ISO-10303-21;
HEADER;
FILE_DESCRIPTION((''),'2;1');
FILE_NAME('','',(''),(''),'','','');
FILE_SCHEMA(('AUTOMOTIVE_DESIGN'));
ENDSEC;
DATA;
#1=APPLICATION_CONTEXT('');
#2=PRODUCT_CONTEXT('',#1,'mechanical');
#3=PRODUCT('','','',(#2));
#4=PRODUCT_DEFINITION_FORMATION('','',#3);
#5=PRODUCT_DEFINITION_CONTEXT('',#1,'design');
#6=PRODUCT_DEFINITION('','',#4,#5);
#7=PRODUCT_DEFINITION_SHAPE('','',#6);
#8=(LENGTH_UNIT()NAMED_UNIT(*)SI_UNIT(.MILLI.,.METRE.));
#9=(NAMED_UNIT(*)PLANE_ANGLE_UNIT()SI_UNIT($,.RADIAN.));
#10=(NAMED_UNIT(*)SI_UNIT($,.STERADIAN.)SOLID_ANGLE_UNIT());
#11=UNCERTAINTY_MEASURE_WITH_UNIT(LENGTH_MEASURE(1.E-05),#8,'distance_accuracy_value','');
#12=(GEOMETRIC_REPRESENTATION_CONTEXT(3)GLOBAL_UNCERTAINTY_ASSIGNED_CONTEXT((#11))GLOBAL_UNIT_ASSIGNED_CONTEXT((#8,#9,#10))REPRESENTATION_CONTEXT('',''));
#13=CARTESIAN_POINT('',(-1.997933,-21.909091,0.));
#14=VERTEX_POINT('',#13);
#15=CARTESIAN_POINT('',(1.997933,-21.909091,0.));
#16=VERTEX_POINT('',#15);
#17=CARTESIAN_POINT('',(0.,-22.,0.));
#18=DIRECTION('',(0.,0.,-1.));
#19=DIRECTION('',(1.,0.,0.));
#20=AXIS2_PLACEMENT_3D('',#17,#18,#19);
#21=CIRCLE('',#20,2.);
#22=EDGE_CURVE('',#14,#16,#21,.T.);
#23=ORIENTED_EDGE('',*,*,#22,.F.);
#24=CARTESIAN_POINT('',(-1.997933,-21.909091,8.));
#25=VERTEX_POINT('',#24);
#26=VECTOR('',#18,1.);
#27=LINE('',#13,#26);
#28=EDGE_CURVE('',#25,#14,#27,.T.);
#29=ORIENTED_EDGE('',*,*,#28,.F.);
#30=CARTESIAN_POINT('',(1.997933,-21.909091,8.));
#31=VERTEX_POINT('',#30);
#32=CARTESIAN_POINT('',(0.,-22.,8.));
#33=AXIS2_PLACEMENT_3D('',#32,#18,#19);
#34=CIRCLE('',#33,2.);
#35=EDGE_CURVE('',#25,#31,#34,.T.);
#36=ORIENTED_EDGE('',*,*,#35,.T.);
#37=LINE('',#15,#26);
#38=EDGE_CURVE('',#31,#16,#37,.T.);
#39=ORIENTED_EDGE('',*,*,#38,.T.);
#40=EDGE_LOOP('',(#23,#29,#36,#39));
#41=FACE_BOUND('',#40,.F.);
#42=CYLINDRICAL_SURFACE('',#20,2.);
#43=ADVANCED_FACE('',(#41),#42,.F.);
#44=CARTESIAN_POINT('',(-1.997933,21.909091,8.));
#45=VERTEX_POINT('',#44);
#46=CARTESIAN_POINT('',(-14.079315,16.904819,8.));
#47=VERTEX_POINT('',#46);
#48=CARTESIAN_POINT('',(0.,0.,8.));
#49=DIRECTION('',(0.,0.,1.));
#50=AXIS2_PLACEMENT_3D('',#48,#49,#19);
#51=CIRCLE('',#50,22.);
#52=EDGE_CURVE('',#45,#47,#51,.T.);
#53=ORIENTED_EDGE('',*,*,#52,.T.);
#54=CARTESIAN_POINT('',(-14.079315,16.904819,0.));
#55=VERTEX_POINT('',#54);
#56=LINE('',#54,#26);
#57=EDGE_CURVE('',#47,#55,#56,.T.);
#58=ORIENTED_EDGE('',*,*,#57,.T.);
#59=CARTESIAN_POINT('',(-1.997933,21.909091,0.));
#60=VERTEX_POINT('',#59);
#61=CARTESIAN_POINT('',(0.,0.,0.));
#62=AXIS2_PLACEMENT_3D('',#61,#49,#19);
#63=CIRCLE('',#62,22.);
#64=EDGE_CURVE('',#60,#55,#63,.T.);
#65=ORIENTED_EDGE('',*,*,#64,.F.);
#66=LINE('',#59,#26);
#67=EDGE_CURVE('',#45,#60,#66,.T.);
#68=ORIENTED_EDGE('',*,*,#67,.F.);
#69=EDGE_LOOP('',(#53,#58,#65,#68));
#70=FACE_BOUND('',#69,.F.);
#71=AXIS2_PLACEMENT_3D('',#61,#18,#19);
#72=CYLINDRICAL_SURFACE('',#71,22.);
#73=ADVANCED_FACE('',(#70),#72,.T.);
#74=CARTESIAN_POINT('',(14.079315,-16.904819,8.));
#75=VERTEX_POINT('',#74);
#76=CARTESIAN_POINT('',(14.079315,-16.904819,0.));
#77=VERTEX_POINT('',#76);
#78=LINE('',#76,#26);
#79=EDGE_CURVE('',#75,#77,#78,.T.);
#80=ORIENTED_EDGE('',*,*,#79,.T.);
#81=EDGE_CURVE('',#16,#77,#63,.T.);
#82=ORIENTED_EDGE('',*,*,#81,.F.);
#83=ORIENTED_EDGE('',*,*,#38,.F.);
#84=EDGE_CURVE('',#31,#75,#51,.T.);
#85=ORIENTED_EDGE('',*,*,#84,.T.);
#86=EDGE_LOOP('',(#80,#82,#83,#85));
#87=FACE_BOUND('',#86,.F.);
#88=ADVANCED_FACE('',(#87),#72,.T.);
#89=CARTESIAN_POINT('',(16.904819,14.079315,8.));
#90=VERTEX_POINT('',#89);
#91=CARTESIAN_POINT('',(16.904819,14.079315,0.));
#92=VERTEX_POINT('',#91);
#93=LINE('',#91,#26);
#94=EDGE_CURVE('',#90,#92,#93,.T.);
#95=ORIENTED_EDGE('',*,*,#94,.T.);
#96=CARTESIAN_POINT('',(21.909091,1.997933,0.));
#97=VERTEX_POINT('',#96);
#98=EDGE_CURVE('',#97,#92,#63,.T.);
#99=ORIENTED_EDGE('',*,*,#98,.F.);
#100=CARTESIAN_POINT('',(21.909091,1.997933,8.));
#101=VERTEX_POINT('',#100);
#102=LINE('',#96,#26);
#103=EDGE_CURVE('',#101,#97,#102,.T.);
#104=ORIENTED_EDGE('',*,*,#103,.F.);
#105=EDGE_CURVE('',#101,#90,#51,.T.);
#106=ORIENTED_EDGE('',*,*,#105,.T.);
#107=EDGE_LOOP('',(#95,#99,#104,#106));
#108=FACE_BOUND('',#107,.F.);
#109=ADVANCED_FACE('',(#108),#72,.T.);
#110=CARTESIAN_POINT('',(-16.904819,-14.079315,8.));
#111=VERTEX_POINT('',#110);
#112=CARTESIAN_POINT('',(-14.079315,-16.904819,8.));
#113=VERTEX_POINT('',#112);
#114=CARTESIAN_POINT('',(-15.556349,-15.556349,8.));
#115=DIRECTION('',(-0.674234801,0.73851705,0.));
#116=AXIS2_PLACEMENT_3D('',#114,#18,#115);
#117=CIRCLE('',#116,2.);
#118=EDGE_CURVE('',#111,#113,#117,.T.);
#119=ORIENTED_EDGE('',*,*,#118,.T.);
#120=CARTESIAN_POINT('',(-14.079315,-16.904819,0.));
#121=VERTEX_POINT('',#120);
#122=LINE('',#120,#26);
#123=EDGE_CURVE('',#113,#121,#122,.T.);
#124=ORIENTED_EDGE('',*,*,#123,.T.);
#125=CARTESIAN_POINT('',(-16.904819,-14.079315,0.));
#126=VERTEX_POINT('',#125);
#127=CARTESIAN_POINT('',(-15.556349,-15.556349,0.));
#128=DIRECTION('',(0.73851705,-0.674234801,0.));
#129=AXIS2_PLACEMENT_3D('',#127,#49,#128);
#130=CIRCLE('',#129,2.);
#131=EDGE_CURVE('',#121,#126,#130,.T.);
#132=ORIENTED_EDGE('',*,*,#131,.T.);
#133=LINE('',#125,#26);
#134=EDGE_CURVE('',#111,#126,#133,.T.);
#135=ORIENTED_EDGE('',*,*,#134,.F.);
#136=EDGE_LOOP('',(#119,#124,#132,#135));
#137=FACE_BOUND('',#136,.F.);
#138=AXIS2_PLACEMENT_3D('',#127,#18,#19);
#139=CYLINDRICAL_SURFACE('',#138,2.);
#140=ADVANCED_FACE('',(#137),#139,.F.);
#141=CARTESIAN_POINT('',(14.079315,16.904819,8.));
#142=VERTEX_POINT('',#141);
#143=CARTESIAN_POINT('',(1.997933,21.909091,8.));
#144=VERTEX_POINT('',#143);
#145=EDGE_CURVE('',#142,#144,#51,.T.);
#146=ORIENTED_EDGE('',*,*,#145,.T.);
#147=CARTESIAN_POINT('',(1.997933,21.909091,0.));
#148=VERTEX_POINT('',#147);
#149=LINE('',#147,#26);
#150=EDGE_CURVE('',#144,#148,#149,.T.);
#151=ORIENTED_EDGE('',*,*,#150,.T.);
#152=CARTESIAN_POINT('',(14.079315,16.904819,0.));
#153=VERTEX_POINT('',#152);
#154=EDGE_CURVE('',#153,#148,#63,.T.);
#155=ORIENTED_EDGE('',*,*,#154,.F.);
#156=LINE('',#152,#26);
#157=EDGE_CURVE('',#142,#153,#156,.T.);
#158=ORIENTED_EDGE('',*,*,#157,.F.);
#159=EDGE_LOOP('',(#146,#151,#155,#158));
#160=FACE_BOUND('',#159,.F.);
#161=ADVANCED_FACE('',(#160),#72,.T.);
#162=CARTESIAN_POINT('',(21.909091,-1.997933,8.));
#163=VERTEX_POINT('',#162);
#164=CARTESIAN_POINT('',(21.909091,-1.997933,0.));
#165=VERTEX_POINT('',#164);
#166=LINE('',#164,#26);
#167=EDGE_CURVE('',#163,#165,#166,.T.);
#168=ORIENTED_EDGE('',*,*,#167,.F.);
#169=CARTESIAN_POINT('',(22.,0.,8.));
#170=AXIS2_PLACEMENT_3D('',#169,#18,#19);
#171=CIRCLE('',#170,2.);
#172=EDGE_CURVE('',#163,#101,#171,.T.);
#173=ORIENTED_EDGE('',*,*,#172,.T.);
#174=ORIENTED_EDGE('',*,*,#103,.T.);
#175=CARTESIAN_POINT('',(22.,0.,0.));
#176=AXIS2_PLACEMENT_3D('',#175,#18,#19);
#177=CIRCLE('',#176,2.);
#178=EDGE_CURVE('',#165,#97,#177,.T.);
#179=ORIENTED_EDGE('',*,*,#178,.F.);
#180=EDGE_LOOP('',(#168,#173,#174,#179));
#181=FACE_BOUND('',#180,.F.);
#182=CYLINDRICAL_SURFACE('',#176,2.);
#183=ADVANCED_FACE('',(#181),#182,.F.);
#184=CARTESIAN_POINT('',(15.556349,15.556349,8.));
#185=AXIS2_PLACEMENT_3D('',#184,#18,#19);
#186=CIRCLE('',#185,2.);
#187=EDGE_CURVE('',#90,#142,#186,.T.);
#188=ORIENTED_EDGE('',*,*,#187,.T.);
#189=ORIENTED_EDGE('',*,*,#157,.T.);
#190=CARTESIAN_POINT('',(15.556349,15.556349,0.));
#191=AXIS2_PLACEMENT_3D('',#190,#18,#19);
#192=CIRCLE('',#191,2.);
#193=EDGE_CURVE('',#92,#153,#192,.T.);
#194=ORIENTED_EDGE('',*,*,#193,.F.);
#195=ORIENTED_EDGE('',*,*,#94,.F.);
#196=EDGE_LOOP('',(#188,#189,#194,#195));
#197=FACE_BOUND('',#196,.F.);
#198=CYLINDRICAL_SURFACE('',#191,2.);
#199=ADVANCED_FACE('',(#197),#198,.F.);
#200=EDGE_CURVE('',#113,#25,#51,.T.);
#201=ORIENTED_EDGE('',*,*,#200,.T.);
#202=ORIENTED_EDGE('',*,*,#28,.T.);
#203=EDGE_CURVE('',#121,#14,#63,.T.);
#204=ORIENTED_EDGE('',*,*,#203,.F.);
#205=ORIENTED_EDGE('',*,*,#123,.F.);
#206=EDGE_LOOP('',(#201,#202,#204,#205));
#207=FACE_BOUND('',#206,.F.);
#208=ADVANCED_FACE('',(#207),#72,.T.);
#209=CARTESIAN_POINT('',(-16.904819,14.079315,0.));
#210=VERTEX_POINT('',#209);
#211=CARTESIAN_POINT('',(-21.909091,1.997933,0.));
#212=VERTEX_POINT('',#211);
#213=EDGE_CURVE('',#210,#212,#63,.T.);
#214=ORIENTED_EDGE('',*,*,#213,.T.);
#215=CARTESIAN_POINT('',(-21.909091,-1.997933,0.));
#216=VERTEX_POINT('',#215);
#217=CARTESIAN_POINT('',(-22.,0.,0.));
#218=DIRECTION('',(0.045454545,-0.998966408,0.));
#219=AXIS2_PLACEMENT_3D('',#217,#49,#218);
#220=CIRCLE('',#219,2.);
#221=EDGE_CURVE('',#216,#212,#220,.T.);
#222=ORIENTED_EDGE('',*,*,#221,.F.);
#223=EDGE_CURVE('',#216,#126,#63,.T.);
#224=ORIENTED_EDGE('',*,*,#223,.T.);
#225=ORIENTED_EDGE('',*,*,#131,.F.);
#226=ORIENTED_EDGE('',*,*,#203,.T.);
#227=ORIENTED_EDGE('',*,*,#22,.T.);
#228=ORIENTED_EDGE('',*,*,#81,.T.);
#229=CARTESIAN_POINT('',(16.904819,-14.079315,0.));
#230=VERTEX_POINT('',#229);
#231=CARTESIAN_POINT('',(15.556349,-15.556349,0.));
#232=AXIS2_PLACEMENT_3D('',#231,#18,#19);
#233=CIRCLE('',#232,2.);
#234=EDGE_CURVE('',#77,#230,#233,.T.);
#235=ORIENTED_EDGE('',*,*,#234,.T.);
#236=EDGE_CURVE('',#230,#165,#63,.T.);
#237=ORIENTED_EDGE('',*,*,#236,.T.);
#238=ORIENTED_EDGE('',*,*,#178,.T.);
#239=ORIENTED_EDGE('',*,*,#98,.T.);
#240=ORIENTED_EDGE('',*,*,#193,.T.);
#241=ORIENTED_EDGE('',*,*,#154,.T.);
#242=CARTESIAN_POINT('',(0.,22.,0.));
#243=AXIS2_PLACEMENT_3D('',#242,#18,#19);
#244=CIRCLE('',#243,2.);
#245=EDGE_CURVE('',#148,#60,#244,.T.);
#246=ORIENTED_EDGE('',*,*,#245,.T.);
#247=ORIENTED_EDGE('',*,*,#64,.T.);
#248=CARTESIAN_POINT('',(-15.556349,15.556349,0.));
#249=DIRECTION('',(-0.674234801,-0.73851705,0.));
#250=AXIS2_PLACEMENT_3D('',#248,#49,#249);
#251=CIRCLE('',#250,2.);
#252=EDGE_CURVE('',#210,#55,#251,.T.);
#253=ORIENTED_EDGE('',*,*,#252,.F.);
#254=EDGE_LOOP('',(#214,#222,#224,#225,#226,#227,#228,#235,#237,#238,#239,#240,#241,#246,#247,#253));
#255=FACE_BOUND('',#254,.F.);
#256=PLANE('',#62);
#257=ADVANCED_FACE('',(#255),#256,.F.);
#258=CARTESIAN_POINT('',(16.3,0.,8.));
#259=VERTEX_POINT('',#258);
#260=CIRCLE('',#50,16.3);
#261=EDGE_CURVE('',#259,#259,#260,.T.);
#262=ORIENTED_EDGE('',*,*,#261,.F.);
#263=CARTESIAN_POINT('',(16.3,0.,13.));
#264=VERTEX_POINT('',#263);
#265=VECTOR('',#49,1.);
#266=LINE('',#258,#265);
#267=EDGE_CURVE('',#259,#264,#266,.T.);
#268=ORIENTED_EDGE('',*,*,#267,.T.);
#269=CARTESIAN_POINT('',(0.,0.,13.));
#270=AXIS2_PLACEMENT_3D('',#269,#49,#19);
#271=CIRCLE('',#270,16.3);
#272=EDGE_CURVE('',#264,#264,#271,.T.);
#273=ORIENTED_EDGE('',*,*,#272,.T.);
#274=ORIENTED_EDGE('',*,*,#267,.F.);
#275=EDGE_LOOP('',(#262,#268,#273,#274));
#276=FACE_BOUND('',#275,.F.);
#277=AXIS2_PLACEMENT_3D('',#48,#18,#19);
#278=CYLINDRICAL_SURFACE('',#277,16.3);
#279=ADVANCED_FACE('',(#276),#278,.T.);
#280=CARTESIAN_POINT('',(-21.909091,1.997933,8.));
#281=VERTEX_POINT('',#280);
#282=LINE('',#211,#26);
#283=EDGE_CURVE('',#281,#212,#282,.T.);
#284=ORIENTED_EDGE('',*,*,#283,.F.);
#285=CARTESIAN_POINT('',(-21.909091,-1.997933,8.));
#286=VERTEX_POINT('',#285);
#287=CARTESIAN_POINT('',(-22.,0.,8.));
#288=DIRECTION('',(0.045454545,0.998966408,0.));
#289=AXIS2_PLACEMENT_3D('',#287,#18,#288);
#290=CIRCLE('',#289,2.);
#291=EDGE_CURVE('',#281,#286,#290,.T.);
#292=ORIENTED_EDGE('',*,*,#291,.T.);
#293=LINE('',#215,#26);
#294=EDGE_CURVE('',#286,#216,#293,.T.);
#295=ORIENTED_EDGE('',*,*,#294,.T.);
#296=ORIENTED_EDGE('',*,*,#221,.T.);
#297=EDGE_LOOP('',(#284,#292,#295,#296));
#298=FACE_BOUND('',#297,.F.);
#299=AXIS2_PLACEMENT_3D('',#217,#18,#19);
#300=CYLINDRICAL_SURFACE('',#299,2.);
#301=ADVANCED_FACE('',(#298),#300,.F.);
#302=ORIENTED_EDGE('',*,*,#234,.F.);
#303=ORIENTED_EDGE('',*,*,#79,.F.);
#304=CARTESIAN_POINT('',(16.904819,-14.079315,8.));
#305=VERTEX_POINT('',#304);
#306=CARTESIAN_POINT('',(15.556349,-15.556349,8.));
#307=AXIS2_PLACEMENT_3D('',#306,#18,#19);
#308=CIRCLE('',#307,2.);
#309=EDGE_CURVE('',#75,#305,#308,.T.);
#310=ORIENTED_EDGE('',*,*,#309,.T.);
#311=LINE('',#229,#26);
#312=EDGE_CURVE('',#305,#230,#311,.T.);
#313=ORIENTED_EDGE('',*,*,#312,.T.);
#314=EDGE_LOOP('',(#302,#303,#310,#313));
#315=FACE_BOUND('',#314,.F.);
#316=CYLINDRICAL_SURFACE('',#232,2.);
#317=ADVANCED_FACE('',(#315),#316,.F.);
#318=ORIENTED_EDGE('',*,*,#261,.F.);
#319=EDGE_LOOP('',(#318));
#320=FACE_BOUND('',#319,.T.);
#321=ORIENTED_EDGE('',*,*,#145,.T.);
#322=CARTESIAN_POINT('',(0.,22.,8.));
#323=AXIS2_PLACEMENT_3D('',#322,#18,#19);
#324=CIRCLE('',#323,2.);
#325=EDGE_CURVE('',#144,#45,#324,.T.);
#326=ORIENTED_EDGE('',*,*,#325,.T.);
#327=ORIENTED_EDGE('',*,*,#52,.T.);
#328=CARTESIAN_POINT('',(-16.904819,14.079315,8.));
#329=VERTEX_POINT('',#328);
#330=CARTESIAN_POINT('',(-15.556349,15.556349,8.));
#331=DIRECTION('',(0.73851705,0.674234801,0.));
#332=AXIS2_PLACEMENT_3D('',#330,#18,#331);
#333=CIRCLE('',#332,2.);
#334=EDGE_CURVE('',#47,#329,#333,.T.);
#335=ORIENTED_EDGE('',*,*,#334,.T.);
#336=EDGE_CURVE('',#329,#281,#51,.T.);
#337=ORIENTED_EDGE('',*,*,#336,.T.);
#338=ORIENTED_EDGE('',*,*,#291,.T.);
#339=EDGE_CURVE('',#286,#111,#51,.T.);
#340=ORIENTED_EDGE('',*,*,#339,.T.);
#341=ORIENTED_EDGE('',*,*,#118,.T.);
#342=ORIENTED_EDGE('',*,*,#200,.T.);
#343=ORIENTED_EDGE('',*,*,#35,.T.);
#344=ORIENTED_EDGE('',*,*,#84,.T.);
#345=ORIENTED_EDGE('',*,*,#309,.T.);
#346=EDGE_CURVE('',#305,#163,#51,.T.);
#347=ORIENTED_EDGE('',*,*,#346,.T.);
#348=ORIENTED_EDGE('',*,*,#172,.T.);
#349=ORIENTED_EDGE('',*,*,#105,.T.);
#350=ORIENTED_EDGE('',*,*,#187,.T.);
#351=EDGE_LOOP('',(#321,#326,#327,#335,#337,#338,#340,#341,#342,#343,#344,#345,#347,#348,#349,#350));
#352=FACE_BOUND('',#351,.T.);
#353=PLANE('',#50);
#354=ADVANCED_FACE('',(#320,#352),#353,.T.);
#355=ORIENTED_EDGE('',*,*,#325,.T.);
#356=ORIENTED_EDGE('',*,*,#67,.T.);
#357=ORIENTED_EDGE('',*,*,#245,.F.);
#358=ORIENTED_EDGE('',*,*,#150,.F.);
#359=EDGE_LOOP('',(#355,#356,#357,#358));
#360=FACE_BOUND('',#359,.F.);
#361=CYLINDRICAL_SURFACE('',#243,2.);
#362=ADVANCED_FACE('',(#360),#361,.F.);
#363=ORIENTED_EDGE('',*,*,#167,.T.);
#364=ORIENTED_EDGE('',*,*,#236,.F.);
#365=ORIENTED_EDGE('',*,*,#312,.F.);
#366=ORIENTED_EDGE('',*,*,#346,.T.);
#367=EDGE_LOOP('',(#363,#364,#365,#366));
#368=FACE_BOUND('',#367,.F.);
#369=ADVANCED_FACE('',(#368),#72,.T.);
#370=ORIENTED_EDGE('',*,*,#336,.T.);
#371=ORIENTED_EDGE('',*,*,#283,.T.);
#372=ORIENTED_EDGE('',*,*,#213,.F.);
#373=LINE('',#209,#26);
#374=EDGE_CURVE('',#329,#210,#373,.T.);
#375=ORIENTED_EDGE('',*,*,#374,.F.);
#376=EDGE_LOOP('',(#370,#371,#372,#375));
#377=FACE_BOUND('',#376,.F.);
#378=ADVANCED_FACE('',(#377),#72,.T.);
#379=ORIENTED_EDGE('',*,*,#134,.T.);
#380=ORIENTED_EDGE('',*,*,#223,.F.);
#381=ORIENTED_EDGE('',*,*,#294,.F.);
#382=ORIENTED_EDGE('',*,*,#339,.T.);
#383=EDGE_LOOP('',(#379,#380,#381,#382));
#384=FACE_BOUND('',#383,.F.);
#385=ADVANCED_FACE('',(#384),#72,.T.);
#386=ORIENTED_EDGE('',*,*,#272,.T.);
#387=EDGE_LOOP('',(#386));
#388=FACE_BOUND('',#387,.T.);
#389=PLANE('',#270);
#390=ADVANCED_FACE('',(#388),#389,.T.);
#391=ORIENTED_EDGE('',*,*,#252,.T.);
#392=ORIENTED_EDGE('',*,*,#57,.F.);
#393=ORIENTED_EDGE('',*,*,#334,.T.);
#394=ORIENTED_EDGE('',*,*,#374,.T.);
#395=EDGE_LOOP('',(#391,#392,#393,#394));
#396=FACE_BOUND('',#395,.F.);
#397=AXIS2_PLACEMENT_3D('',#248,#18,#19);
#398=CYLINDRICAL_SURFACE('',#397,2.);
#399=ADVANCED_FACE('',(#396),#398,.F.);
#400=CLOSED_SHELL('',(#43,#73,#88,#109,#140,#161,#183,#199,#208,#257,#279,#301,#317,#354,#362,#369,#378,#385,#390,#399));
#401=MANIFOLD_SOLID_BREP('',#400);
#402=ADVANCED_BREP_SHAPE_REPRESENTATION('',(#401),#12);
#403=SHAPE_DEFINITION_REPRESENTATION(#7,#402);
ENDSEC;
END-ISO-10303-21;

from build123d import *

# Parameters (mm, degrees)
F0_R     = 22
F1_DEPTH = 8
F2_R     = 16.3
F3_DEPTH = 5
F4_R     = 2
F5_DEPTH = 25


with BuildPart() as f1:
    # F0 (on Top) → F1 (new body)
    with BuildSketch(Plane.XY):
        Circle(F0_R)
    extrude(amount=F1_DEPTH)

    # F2 (on face) → F3 (join)
    with BuildSketch(Plane.XY.offset(8)):
        Circle(F2_R)
    extrude(amount=F3_DEPTH)

    # F4 (on face) → F5 (cut)
    with BuildSketch(Plane(origin=(0, 0, 0), x_dir=(1, 0, 0), z_dir=(0, 0, -1))):
        with Locations((22, 0)):
            Circle(F4_R)
        with Locations((15.556349, -15.556349)):
            Circle(F4_R)
        with Locations((0, -22)):
            Circle(F4_R)
        with Locations((-15.556349, -15.556349)):
            Circle(F4_R)
        with Locations((-22, 0)):
            Circle(F4_R)
        with Locations((-15.556349, 15.556349)):
            Circle(F4_R)
        with Locations((0, 22)):
            Circle(F4_R)
        with Locations((15.556349, 15.556349)):
            Circle(F4_R)
    extrude(amount=-F5_DEPTH, mode=Mode.SUBTRACT)


solid = f1.part
